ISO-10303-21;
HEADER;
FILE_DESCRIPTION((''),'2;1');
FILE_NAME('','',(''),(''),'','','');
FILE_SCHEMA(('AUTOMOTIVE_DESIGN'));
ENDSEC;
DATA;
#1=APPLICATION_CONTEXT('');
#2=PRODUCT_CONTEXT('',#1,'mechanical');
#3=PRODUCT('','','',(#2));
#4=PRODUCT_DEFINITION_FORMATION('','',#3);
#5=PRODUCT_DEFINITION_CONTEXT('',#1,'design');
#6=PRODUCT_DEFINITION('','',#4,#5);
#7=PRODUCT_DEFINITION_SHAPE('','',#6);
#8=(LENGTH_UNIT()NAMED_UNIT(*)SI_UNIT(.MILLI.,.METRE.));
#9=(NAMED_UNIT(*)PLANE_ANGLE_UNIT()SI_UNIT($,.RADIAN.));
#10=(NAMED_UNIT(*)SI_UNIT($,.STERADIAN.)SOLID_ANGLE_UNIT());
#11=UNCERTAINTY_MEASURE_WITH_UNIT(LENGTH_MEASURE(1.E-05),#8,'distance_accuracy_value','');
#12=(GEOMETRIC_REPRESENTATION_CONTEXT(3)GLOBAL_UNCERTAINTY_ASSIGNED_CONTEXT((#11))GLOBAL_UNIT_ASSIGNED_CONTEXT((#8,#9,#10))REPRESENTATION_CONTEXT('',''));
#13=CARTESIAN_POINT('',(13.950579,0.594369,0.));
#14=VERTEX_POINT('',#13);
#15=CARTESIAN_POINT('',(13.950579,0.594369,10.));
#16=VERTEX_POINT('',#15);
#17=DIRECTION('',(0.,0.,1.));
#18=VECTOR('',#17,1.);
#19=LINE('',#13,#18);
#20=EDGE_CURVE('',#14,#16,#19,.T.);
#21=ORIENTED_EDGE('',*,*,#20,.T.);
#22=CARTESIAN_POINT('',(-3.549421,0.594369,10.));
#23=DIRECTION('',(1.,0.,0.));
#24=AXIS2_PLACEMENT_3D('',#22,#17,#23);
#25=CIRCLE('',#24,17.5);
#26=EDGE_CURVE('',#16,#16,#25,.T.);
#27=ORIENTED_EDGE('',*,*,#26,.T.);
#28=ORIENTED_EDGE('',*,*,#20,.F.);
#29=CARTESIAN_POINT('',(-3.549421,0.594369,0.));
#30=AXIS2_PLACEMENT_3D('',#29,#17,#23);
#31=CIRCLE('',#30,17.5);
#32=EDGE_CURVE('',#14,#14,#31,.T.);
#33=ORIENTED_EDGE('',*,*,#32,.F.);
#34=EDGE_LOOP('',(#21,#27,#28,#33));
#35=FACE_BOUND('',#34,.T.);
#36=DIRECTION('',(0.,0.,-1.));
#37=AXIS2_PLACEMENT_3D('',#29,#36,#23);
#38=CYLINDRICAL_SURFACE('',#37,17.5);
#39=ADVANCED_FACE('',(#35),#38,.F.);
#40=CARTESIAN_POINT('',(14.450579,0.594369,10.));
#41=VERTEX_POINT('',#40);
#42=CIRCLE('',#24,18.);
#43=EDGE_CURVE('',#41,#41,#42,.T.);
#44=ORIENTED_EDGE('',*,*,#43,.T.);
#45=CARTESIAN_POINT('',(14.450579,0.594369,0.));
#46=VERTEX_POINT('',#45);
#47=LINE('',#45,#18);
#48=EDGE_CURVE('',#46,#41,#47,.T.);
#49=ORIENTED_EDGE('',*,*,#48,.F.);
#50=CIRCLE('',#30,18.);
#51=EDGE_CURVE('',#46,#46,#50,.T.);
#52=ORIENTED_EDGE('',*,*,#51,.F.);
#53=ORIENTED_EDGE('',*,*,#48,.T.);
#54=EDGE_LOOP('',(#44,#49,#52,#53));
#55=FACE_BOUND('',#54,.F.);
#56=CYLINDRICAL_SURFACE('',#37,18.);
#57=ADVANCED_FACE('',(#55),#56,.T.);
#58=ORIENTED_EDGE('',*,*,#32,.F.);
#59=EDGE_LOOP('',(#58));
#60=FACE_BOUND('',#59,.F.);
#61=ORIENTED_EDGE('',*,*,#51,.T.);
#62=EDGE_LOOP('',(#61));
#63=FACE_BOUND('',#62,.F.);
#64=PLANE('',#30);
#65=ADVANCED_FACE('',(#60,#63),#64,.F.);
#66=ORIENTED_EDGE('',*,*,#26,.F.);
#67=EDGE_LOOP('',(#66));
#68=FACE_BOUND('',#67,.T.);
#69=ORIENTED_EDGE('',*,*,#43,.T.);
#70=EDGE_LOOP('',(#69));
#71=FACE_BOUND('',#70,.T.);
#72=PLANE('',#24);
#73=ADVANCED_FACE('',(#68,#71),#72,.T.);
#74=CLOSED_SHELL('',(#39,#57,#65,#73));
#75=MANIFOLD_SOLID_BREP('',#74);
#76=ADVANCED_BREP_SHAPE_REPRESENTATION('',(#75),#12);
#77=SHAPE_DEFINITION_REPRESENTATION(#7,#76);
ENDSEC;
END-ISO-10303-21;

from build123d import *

# Parameters (mm, degrees)
SKETCH_R   = 18
SKETCH_R_2 = 17.5
PAD_DEPTH  = 10


with BuildPart() as part:
    # Sketch → Pad (new body)
    with BuildSketch(Plane.XY):
        with Locations((-3.549421, 0.594369)):
            Circle(SKETCH_R)
        with Locations((-3.549421, 0.594369)):
            Circle(SKETCH_R_2, mode=Mode.SUBTRACT)
    extrude(amount=PAD_DEPTH)


solid = part.part
